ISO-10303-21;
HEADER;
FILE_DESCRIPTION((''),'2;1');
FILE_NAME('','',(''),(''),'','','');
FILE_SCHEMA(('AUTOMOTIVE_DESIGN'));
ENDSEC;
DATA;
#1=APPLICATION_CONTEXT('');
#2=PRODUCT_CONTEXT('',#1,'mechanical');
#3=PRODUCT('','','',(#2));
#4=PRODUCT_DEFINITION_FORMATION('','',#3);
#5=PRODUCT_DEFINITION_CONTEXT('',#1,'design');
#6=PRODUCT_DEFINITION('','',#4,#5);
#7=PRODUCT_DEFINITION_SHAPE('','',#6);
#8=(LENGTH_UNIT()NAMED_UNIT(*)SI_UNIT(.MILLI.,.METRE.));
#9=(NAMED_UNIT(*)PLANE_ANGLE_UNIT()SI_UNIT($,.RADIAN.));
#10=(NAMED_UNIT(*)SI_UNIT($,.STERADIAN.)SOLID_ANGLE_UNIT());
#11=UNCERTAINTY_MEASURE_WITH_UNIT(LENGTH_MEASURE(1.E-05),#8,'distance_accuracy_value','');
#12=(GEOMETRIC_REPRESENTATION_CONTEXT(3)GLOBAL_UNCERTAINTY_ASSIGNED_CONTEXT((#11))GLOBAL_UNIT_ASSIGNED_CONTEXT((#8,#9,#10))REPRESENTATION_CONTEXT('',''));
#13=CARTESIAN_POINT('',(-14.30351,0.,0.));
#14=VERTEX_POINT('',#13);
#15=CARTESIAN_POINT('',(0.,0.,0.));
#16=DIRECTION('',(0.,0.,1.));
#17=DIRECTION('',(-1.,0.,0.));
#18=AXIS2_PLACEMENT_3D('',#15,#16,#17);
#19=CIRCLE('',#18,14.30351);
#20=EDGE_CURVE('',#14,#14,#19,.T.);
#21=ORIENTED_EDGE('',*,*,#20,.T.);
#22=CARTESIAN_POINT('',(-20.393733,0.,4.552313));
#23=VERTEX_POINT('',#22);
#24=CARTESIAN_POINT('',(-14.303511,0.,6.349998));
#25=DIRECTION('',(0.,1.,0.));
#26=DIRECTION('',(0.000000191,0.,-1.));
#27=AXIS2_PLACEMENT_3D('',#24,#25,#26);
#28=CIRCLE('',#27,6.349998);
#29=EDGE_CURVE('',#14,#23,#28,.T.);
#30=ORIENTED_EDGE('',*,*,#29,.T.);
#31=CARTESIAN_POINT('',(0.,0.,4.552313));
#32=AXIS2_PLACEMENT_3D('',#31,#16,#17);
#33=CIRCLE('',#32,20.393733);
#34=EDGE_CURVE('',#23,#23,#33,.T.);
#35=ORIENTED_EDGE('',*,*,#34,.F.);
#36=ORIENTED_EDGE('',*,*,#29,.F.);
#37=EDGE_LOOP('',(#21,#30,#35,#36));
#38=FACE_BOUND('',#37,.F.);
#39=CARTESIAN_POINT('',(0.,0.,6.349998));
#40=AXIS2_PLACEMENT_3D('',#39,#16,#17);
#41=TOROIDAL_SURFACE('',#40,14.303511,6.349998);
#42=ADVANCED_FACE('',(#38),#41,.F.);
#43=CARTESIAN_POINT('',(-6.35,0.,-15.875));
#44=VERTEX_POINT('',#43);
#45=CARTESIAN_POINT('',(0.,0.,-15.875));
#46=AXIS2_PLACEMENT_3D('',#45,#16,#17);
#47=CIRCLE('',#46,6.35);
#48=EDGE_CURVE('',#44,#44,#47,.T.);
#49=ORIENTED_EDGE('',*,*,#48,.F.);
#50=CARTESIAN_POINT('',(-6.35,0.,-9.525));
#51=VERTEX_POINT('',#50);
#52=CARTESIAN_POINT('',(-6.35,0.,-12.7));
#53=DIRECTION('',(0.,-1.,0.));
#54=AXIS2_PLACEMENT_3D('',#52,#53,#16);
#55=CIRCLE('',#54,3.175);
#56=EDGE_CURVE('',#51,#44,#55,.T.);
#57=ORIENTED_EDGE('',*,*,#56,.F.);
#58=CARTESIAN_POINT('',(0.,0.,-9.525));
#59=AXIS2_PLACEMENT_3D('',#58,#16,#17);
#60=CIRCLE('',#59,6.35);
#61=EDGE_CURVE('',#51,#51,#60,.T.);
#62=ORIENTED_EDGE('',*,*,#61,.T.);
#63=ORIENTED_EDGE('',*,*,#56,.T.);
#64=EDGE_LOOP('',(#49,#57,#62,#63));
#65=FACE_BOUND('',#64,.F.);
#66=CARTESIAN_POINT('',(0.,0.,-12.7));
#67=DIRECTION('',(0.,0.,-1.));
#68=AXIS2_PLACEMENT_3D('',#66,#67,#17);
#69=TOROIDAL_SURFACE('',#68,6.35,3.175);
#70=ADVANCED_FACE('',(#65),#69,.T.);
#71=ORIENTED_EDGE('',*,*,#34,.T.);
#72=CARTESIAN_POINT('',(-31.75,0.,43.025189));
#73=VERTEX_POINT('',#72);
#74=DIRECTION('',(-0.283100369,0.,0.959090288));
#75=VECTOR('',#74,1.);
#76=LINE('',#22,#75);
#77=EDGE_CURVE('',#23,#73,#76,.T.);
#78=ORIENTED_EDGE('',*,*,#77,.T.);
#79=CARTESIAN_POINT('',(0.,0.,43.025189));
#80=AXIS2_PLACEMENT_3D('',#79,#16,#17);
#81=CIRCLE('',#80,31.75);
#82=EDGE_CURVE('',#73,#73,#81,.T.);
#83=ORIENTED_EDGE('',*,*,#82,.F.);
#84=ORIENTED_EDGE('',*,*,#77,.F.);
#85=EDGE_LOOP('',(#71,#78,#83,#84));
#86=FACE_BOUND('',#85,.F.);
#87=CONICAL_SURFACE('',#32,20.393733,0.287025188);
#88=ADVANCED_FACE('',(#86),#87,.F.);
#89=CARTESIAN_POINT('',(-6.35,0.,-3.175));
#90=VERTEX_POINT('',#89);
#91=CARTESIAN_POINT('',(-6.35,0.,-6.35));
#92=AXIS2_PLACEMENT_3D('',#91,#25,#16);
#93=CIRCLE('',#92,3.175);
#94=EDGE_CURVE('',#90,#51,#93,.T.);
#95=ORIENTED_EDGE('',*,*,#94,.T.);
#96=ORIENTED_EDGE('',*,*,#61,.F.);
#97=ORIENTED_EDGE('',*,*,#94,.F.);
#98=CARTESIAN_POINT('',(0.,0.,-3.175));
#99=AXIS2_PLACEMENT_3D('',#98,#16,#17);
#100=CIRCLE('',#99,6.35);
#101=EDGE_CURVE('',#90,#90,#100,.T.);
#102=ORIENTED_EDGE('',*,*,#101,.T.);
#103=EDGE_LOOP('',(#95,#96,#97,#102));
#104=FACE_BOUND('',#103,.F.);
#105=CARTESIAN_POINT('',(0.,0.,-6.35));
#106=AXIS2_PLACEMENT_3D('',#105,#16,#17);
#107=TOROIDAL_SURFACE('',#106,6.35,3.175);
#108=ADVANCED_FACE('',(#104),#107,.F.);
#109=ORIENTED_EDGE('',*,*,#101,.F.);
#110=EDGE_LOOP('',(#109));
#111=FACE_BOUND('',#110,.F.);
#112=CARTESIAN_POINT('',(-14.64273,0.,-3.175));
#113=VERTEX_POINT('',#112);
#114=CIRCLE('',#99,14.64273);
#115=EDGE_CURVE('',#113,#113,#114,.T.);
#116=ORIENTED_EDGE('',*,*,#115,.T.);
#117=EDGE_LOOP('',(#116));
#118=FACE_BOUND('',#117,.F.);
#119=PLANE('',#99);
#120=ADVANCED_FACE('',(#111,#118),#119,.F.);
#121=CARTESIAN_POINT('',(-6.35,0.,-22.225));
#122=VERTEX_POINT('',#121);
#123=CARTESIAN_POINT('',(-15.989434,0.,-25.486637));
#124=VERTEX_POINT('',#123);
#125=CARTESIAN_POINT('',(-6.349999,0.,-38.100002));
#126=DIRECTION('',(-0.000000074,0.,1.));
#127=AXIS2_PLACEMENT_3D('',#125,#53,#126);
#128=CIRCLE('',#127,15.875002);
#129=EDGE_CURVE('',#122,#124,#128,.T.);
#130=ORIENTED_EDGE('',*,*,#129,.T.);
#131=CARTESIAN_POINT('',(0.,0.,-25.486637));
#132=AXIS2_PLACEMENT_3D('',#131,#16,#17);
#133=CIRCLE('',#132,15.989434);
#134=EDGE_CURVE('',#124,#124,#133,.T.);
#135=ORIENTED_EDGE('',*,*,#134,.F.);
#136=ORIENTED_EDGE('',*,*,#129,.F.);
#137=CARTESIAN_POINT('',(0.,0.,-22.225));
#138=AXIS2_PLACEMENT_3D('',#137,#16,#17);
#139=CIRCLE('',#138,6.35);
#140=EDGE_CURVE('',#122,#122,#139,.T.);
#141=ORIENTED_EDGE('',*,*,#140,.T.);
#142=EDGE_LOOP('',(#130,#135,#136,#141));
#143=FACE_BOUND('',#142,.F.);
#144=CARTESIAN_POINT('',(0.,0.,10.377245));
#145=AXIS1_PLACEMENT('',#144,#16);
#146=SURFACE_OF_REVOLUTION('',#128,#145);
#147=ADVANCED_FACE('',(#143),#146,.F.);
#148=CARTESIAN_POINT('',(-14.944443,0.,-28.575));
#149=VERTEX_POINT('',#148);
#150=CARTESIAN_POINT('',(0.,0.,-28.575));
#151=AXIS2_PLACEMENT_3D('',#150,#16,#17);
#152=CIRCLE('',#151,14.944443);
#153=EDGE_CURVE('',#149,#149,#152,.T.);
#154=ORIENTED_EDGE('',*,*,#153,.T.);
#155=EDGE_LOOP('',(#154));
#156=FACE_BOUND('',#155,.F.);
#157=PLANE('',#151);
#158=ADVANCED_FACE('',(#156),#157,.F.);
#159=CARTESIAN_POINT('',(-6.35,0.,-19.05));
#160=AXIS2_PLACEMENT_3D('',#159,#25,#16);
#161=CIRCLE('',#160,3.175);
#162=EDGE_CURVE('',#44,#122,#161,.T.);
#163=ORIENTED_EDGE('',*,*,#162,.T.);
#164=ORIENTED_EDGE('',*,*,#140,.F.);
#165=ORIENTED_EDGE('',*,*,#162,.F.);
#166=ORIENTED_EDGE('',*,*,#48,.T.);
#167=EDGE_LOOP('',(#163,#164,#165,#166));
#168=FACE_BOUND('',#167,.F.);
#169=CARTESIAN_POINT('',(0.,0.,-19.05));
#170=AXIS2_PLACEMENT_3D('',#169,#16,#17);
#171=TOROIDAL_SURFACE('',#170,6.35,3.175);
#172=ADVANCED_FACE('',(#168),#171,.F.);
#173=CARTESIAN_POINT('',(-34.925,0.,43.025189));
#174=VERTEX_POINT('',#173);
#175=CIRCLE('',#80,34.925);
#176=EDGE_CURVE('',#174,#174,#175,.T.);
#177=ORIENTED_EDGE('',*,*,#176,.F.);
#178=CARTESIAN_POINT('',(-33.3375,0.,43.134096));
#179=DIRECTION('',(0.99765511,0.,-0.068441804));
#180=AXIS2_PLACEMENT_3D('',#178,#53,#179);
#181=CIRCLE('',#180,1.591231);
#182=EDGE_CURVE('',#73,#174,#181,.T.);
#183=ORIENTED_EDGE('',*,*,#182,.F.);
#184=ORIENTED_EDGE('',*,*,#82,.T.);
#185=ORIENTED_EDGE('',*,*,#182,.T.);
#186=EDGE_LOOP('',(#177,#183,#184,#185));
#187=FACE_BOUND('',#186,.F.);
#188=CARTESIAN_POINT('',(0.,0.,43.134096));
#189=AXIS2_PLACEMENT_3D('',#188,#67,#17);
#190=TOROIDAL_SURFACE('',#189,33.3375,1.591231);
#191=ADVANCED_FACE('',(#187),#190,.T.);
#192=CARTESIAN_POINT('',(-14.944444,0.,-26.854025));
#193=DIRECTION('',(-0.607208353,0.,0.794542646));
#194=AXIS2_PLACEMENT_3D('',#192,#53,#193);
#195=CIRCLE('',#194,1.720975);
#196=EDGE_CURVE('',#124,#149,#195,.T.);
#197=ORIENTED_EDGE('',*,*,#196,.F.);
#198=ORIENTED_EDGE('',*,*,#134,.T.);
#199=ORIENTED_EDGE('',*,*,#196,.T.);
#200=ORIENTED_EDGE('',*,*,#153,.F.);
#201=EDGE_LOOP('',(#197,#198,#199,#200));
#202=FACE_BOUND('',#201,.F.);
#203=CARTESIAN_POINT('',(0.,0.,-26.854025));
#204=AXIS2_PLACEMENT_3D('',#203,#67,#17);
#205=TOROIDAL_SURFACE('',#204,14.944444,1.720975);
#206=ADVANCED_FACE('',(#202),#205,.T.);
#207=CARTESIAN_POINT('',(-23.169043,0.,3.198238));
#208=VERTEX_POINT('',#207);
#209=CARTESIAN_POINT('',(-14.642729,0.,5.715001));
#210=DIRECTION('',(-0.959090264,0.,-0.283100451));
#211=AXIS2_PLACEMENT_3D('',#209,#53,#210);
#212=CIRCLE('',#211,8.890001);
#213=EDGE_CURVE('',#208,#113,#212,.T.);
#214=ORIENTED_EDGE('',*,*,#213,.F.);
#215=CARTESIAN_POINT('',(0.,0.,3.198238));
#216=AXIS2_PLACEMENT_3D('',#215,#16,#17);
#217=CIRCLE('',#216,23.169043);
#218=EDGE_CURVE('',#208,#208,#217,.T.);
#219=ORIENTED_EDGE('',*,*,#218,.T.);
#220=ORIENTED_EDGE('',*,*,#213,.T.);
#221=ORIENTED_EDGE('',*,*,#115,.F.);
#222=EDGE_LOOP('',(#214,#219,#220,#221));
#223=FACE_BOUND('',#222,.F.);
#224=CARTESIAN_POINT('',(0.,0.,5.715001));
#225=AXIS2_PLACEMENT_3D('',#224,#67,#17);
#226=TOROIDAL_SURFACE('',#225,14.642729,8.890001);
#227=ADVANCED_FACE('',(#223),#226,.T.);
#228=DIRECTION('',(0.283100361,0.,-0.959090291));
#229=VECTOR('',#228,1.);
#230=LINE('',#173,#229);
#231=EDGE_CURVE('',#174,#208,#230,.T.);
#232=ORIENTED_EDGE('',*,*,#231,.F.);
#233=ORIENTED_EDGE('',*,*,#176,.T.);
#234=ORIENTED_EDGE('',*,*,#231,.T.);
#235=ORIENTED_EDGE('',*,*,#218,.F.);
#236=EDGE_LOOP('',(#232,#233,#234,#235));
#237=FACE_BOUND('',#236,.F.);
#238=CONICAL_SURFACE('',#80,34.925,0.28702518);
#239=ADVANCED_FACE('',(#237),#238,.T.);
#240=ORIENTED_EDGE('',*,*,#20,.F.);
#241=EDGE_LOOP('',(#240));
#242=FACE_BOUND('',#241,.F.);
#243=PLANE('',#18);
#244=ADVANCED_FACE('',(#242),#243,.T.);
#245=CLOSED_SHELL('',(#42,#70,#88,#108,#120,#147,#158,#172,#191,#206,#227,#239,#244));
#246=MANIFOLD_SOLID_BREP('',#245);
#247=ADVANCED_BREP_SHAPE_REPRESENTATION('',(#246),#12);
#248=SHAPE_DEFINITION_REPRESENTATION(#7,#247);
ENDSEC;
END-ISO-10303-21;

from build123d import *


with BuildPart() as f1:
    # F0 (on Front) → F1 (revolve)
    with BuildSketch(Plane.XZ):
        with BuildLine():
            Line((0, -28.575), (0, 0))
            Line((0, 0), (-14.30351, 0))
            ThreePointArc((-14.30351, 0), (-18.105298, 1.263851), (-20.393733, 4.552313))
            Line((-20.393733, 4.552313), (-31.75, 43.025189))
            ThreePointArc((-31.75, 43.025189), (-33.3375, 44.725327), (-34.925, 43.025189))
            Line((-34.925, 43.025189), (-23.169043, 3.198238))
            ThreePointArc((-23.169043, 3.198238), (-19.965233, -1.405608), (-14.64273, -3.175))
            Line((-14.64273, -3.175), (-6.35, -3.175))
            ThreePointArc((-6.35, -3.175), (-3.175, -6.35), (-6.35, -9.525))
            ThreePointArc((-6.35, -9.525), (-9.525, -12.7), (-6.35, -15.875))
            ThreePointArc((-6.35, -15.875), (-3.175, -19.05), (-6.35, -22.225))
            ThreePointArc((-6.35, -22.225), (-11.438147, -23.062501), (-15.989434, -25.486637))
            ThreePointArc((-15.989434, -25.486637), (-16.574627, -27.40562), (-14.944443, -28.575))
            Line((-14.944443, -28.575), (0, -28.575))
        make_face()
    revolve(axis=Axis((0, 0, 10.377245), (0, 0, 1)))


solid = f1.part
